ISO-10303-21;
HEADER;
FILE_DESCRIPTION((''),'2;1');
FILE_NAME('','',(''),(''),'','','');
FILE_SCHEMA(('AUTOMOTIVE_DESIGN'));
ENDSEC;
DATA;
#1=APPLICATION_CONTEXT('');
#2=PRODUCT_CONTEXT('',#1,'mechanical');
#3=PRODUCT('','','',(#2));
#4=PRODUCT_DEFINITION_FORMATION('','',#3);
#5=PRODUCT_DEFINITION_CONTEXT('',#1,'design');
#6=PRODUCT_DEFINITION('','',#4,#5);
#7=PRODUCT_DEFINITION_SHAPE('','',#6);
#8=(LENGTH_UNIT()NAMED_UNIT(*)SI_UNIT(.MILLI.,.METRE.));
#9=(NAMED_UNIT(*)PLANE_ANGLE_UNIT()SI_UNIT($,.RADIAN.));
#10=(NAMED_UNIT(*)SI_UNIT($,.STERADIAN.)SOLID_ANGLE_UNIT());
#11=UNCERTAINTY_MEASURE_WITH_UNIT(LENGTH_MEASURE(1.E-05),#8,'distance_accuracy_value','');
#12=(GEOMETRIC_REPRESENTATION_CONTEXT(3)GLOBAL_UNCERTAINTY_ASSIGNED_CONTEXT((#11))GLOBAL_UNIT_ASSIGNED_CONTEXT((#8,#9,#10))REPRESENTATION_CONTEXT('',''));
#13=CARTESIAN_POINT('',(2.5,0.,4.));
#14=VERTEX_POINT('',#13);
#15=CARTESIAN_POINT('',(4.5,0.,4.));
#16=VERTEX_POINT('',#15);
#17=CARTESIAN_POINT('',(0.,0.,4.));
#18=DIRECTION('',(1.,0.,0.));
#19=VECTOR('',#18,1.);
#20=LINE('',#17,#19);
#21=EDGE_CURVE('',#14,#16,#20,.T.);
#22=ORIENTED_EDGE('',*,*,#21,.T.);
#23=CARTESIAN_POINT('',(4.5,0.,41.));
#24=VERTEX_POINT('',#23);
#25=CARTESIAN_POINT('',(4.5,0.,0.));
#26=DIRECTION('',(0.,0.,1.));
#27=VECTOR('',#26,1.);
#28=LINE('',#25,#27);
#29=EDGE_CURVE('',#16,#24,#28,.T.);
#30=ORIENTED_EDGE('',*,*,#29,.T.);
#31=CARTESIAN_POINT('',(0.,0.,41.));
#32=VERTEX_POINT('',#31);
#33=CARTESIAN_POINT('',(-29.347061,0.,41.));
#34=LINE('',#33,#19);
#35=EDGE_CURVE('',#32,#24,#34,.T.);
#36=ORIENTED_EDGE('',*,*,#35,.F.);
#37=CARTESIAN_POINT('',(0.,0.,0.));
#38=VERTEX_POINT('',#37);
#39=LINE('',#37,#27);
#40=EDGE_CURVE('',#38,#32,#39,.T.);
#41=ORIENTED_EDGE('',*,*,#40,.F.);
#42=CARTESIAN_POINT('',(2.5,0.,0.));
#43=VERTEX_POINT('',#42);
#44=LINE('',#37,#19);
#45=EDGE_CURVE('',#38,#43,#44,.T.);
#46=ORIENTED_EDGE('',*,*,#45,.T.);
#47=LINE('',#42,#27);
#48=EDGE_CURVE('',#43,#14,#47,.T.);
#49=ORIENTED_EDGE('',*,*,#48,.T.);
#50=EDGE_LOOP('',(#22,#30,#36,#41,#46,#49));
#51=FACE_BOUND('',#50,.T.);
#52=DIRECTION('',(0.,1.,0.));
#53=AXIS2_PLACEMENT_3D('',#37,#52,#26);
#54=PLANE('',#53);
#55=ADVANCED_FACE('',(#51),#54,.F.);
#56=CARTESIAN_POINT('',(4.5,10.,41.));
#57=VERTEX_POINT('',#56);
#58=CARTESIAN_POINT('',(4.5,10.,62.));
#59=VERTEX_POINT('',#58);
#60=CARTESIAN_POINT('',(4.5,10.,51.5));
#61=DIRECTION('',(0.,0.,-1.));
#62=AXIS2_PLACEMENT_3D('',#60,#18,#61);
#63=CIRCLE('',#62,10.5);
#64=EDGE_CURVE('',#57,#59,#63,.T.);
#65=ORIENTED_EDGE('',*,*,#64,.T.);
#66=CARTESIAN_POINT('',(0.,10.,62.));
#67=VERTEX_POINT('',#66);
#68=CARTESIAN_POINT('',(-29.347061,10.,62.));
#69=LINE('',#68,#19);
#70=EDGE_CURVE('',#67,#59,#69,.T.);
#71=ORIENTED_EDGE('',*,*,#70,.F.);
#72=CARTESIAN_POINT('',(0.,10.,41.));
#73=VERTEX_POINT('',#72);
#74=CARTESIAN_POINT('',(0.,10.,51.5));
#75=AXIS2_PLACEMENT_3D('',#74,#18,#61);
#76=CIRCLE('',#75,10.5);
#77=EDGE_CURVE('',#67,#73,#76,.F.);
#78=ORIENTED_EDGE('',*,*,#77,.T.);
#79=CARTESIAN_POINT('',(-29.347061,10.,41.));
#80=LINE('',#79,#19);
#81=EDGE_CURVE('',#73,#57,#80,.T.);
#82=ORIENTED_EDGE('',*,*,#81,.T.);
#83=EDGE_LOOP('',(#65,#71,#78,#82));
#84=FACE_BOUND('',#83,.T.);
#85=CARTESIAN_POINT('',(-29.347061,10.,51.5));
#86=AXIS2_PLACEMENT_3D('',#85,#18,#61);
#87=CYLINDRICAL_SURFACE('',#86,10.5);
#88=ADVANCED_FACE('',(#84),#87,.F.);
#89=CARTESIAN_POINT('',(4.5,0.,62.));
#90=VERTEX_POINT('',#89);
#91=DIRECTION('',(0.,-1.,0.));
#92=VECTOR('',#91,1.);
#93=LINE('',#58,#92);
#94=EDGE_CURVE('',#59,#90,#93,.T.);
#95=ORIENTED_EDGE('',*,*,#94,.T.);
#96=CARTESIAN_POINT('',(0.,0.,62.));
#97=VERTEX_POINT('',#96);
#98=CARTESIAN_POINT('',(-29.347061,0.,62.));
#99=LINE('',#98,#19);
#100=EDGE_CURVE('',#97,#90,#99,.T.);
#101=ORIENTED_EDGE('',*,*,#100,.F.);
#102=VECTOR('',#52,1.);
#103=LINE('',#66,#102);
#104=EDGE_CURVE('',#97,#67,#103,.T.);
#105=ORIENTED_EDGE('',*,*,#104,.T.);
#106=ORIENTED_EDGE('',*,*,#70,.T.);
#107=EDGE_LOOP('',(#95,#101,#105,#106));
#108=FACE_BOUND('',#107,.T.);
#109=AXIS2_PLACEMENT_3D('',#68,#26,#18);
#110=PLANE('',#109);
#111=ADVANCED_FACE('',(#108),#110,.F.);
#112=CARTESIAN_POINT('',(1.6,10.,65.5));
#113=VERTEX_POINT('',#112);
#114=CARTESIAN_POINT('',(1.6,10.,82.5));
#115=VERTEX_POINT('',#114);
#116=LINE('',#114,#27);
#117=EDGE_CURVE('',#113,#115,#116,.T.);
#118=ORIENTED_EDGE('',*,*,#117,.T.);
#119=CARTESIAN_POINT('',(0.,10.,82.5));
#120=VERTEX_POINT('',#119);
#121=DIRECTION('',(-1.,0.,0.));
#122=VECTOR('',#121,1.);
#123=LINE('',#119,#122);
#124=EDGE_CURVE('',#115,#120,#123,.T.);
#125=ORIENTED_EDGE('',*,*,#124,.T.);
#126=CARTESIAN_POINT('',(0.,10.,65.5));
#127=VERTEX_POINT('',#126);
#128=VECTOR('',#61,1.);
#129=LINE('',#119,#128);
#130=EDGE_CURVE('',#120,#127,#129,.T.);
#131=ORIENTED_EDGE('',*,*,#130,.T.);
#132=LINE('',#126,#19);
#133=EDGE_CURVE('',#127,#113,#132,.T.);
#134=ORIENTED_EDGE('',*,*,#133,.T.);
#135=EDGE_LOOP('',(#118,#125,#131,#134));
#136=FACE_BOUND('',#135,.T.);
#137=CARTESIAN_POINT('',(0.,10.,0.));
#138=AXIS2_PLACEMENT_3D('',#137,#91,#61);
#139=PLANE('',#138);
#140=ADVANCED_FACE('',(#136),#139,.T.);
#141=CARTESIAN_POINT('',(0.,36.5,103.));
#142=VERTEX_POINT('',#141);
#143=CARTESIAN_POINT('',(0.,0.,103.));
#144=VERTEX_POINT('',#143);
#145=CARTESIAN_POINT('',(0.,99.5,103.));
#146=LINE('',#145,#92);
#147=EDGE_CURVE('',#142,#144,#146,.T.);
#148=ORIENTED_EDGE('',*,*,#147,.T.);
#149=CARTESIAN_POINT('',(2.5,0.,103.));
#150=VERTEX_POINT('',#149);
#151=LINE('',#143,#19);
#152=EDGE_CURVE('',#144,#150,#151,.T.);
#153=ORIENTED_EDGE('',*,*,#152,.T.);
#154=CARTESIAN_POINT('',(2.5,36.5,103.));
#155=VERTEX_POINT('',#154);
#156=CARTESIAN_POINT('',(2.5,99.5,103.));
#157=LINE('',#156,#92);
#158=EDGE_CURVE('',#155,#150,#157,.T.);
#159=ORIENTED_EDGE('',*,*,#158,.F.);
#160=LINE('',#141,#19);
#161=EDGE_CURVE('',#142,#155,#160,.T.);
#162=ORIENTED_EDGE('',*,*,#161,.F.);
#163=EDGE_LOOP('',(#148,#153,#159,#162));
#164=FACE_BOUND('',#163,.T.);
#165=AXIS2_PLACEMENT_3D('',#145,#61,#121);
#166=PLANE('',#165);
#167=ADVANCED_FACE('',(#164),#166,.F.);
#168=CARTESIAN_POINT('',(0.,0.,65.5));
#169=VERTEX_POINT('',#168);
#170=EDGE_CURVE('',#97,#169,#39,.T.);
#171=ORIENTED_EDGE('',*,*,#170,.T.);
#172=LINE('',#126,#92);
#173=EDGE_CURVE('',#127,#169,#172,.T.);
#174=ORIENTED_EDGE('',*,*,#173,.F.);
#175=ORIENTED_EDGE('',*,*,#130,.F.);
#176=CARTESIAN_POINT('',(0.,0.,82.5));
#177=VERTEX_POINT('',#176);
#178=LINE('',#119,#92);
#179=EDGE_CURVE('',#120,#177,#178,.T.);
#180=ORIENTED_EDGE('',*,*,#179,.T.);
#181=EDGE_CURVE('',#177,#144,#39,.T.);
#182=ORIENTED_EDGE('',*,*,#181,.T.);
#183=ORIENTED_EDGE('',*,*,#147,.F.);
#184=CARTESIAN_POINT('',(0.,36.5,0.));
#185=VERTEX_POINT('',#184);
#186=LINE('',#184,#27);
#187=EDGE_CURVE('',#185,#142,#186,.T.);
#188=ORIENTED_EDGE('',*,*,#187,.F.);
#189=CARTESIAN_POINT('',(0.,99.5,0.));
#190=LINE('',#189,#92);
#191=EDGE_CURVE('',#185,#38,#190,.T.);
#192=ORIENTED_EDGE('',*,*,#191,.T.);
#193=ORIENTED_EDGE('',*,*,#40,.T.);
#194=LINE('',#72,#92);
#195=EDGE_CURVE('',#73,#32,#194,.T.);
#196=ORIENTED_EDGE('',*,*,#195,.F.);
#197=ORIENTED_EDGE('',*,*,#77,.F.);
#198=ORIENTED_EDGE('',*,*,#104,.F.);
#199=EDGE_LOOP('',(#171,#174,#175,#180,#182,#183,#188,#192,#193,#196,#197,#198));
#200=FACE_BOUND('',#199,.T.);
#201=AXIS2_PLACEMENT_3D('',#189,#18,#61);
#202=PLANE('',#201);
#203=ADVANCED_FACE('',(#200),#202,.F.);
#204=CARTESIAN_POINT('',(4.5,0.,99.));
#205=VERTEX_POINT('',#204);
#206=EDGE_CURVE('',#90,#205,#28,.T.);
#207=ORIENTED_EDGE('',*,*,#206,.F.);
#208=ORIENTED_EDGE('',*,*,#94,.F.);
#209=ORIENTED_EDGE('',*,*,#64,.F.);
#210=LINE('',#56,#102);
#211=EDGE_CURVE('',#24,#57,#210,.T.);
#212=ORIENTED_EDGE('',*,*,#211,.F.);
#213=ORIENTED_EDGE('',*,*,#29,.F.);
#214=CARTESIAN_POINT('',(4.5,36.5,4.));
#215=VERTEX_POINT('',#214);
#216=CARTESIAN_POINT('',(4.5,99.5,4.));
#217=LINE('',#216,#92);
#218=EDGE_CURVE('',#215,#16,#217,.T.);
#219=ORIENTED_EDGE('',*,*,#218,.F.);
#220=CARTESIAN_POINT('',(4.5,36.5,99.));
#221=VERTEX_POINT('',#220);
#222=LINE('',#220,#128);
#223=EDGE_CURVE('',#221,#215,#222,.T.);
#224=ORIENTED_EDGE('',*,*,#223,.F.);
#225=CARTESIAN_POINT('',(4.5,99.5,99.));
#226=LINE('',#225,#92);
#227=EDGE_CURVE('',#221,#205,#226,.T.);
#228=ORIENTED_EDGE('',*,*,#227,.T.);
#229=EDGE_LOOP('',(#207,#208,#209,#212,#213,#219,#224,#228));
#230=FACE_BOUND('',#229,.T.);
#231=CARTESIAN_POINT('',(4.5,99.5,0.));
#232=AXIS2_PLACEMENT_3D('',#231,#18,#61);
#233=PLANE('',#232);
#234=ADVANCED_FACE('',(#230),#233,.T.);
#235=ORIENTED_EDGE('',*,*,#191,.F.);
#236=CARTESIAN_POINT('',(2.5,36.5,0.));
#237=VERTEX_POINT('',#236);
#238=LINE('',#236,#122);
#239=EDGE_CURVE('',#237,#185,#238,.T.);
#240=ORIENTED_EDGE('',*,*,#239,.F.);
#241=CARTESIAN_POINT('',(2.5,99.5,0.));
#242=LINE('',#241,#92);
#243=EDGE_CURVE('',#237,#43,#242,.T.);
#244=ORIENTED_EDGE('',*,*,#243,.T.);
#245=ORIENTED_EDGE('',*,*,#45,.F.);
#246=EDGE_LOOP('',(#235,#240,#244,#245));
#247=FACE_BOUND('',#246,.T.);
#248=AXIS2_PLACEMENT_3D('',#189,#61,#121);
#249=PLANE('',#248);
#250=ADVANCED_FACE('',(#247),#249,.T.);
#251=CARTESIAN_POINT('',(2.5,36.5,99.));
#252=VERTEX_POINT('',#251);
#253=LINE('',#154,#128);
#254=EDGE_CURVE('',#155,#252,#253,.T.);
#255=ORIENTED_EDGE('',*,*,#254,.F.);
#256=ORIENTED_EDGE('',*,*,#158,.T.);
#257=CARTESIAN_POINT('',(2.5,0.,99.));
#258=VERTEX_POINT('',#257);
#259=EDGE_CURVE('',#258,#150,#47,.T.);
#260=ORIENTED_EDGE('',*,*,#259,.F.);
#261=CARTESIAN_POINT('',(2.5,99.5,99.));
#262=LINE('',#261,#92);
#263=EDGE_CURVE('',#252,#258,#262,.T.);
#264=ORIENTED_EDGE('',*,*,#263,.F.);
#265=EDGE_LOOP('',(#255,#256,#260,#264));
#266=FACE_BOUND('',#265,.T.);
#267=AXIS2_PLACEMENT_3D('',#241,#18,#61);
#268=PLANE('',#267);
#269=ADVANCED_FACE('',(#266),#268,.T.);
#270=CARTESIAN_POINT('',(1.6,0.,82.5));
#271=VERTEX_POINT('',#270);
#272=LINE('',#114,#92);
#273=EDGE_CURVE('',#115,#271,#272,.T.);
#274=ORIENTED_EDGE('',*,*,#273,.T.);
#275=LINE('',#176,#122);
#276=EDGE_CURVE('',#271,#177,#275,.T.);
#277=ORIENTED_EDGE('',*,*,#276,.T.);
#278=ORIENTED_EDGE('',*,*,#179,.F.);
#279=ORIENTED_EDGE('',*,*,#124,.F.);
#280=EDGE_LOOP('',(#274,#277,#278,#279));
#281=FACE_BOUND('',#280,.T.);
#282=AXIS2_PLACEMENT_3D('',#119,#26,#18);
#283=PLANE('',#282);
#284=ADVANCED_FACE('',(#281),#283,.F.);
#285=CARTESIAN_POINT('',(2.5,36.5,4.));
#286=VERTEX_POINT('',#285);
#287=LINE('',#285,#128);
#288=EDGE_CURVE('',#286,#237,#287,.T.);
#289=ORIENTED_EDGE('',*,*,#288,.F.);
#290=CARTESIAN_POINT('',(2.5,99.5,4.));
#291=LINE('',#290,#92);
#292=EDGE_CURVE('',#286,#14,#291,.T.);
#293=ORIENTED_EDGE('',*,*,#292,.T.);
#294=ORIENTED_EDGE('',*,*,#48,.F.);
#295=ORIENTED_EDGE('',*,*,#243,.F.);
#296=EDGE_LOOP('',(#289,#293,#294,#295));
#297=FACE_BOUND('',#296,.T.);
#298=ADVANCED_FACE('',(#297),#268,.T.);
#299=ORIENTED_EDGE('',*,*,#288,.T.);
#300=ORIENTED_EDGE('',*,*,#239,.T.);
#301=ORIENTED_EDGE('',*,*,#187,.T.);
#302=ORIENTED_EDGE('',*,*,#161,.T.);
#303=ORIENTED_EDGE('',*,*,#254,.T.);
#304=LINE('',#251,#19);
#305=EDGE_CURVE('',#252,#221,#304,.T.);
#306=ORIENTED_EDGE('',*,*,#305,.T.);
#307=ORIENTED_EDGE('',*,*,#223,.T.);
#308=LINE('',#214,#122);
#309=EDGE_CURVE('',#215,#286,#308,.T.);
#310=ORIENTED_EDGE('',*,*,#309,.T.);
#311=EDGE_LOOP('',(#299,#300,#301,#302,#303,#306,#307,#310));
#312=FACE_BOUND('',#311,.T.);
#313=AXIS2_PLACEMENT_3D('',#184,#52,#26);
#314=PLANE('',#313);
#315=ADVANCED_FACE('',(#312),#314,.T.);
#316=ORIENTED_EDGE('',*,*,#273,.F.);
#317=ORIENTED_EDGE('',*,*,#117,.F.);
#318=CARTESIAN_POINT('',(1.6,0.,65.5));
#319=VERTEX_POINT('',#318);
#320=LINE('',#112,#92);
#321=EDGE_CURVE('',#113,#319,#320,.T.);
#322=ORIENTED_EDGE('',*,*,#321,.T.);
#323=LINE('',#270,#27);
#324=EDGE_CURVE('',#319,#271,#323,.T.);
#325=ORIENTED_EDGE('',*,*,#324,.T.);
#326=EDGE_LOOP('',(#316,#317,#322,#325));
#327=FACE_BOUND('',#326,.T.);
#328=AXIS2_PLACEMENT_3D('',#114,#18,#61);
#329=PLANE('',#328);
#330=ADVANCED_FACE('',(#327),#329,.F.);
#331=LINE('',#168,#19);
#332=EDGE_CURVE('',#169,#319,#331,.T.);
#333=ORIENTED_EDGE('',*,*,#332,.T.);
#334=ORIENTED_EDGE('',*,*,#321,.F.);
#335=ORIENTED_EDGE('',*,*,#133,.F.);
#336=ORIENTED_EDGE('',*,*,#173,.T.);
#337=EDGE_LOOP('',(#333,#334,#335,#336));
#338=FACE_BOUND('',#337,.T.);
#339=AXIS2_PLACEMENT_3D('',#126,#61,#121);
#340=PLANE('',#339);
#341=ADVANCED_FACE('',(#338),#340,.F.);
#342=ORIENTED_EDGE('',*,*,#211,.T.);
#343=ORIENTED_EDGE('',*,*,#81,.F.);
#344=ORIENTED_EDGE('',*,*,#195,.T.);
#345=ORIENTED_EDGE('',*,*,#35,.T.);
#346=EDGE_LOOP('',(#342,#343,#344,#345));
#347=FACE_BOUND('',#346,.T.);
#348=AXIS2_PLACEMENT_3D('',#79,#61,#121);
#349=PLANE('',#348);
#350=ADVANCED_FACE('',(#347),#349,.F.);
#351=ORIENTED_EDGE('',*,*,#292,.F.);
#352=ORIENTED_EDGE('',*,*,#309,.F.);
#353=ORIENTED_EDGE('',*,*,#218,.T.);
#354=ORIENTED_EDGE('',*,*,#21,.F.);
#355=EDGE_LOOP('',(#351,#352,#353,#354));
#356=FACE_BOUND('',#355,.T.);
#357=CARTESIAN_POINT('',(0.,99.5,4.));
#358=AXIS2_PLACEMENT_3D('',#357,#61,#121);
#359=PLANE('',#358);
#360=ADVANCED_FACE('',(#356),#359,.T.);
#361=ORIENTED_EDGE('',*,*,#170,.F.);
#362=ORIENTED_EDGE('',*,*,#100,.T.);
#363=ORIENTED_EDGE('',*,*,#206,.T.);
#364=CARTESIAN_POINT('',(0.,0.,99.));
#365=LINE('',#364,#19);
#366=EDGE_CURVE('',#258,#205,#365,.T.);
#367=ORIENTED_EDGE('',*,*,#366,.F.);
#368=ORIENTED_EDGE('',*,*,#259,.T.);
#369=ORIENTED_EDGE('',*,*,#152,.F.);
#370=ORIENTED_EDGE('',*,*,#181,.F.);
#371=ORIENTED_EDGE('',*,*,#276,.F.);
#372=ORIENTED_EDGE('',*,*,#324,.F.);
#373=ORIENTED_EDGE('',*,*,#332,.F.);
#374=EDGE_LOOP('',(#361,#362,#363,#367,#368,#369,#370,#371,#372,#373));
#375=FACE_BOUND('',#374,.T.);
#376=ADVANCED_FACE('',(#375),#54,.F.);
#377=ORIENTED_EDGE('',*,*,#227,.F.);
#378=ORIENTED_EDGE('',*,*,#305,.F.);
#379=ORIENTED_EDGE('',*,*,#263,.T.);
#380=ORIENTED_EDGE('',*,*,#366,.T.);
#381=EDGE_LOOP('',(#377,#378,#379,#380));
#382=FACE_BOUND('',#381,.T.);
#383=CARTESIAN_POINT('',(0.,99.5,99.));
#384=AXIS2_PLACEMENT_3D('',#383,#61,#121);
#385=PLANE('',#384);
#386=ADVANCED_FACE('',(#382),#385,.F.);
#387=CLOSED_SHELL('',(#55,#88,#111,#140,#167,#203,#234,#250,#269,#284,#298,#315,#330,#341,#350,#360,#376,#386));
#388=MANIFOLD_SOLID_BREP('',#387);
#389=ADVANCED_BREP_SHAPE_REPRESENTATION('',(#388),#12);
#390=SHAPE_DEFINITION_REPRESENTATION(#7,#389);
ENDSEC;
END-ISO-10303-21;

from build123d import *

# Parameters (mm, degrees)
SKETCH_1_W          = 2.5
SKETCH_1_H          = 103
SKETCH_1_W_2        = 2
SKETCH_1_H_2        = 95
EXTRUDE_1_DEPTH     = 99.5
CUT_EXTRUDE_2_DEPTH = 4.5
CUT_EXTRUDE_3_DEPTH = 58.5
CUT_EXTRUDE_4_DEPTH = 4.5
SKETCH_6_W          = 1.6
SKETCH_6_H          = 17
CUT_EXTRUDE_5_DEPTH = 10


with BuildPart() as part:
    # 스케치1 → 보스-돌출1 (new body)
    with BuildSketch(Plane(origin=(0, 0, 0), x_dir=(1, 0, 0), z_dir=(0, 1, 0))):
        with Locations((1.25, -51.5)):
            Rectangle(SKETCH_1_W, SKETCH_1_H)
        with Locations((3.5, -51.5)):
            Rectangle(SKETCH_1_W_2, SKETCH_1_H_2)
    extrude(amount=EXTRUDE_1_DEPTH)

    # 스케치2 → 컷-돌출2 (cut)
    with BuildSketch(Plane(origin=(4.5, 0, 0), x_dir=(0, 0, -1), z_dir=(1, 0, 0))):
        with BuildLine():
            Line((-62, 10), (-62, 0))
            Line((-62, 0), (-41, 0))
            Line((-41, 0), (-41, 10))
            ThreePointArc((-41, 10), (-51.5, 20.5), (-62, 10))
        make_face()
    extrude(amount=-CUT_EXTRUDE_2_DEPTH, mode=Mode.SUBTRACT)

    # 스케치3 → 컷-돌출3 (cut)
    with BuildSketch(Plane(origin=(0, 99.5, 0), x_dir=(1, 0, 0), z_dir=(0, 1, 0))):
        Polygon((2.5, -4), (2.5, 0), (0, 0), (0, -103), (2.5, -103), (2.5, -99), (4.5, -99), (4.5, -4), align=None)
    extrude(amount=-CUT_EXTRUDE_3_DEPTH, mode=Mode.SUBTRACT)

    # 스케치4 → 컷-돌출4 (cut)
    with BuildSketch(Plane(origin=(0, 41, 0), x_dir=(1, 0, 0), z_dir=(0, 1, 0))):
        Polygon((4.5, -4), (2.5, -4), (2.5, 0), (0, 0), (0, -103), (2.5, -103), (2.5, -99), (4.5, -99), align=None)
    extrude(amount=-CUT_EXTRUDE_4_DEPTH, mode=Mode.SUBTRACT)

    # 스케치6 → 컷-돌출5 (cut)
    with BuildSketch(Plane.XZ):
        with Locations((0.8, 74)):
            Rectangle(SKETCH_6_W, SKETCH_6_H)
    extrude(amount=-CUT_EXTRUDE_5_DEPTH, mode=Mode.SUBTRACT)


solid = part.part
